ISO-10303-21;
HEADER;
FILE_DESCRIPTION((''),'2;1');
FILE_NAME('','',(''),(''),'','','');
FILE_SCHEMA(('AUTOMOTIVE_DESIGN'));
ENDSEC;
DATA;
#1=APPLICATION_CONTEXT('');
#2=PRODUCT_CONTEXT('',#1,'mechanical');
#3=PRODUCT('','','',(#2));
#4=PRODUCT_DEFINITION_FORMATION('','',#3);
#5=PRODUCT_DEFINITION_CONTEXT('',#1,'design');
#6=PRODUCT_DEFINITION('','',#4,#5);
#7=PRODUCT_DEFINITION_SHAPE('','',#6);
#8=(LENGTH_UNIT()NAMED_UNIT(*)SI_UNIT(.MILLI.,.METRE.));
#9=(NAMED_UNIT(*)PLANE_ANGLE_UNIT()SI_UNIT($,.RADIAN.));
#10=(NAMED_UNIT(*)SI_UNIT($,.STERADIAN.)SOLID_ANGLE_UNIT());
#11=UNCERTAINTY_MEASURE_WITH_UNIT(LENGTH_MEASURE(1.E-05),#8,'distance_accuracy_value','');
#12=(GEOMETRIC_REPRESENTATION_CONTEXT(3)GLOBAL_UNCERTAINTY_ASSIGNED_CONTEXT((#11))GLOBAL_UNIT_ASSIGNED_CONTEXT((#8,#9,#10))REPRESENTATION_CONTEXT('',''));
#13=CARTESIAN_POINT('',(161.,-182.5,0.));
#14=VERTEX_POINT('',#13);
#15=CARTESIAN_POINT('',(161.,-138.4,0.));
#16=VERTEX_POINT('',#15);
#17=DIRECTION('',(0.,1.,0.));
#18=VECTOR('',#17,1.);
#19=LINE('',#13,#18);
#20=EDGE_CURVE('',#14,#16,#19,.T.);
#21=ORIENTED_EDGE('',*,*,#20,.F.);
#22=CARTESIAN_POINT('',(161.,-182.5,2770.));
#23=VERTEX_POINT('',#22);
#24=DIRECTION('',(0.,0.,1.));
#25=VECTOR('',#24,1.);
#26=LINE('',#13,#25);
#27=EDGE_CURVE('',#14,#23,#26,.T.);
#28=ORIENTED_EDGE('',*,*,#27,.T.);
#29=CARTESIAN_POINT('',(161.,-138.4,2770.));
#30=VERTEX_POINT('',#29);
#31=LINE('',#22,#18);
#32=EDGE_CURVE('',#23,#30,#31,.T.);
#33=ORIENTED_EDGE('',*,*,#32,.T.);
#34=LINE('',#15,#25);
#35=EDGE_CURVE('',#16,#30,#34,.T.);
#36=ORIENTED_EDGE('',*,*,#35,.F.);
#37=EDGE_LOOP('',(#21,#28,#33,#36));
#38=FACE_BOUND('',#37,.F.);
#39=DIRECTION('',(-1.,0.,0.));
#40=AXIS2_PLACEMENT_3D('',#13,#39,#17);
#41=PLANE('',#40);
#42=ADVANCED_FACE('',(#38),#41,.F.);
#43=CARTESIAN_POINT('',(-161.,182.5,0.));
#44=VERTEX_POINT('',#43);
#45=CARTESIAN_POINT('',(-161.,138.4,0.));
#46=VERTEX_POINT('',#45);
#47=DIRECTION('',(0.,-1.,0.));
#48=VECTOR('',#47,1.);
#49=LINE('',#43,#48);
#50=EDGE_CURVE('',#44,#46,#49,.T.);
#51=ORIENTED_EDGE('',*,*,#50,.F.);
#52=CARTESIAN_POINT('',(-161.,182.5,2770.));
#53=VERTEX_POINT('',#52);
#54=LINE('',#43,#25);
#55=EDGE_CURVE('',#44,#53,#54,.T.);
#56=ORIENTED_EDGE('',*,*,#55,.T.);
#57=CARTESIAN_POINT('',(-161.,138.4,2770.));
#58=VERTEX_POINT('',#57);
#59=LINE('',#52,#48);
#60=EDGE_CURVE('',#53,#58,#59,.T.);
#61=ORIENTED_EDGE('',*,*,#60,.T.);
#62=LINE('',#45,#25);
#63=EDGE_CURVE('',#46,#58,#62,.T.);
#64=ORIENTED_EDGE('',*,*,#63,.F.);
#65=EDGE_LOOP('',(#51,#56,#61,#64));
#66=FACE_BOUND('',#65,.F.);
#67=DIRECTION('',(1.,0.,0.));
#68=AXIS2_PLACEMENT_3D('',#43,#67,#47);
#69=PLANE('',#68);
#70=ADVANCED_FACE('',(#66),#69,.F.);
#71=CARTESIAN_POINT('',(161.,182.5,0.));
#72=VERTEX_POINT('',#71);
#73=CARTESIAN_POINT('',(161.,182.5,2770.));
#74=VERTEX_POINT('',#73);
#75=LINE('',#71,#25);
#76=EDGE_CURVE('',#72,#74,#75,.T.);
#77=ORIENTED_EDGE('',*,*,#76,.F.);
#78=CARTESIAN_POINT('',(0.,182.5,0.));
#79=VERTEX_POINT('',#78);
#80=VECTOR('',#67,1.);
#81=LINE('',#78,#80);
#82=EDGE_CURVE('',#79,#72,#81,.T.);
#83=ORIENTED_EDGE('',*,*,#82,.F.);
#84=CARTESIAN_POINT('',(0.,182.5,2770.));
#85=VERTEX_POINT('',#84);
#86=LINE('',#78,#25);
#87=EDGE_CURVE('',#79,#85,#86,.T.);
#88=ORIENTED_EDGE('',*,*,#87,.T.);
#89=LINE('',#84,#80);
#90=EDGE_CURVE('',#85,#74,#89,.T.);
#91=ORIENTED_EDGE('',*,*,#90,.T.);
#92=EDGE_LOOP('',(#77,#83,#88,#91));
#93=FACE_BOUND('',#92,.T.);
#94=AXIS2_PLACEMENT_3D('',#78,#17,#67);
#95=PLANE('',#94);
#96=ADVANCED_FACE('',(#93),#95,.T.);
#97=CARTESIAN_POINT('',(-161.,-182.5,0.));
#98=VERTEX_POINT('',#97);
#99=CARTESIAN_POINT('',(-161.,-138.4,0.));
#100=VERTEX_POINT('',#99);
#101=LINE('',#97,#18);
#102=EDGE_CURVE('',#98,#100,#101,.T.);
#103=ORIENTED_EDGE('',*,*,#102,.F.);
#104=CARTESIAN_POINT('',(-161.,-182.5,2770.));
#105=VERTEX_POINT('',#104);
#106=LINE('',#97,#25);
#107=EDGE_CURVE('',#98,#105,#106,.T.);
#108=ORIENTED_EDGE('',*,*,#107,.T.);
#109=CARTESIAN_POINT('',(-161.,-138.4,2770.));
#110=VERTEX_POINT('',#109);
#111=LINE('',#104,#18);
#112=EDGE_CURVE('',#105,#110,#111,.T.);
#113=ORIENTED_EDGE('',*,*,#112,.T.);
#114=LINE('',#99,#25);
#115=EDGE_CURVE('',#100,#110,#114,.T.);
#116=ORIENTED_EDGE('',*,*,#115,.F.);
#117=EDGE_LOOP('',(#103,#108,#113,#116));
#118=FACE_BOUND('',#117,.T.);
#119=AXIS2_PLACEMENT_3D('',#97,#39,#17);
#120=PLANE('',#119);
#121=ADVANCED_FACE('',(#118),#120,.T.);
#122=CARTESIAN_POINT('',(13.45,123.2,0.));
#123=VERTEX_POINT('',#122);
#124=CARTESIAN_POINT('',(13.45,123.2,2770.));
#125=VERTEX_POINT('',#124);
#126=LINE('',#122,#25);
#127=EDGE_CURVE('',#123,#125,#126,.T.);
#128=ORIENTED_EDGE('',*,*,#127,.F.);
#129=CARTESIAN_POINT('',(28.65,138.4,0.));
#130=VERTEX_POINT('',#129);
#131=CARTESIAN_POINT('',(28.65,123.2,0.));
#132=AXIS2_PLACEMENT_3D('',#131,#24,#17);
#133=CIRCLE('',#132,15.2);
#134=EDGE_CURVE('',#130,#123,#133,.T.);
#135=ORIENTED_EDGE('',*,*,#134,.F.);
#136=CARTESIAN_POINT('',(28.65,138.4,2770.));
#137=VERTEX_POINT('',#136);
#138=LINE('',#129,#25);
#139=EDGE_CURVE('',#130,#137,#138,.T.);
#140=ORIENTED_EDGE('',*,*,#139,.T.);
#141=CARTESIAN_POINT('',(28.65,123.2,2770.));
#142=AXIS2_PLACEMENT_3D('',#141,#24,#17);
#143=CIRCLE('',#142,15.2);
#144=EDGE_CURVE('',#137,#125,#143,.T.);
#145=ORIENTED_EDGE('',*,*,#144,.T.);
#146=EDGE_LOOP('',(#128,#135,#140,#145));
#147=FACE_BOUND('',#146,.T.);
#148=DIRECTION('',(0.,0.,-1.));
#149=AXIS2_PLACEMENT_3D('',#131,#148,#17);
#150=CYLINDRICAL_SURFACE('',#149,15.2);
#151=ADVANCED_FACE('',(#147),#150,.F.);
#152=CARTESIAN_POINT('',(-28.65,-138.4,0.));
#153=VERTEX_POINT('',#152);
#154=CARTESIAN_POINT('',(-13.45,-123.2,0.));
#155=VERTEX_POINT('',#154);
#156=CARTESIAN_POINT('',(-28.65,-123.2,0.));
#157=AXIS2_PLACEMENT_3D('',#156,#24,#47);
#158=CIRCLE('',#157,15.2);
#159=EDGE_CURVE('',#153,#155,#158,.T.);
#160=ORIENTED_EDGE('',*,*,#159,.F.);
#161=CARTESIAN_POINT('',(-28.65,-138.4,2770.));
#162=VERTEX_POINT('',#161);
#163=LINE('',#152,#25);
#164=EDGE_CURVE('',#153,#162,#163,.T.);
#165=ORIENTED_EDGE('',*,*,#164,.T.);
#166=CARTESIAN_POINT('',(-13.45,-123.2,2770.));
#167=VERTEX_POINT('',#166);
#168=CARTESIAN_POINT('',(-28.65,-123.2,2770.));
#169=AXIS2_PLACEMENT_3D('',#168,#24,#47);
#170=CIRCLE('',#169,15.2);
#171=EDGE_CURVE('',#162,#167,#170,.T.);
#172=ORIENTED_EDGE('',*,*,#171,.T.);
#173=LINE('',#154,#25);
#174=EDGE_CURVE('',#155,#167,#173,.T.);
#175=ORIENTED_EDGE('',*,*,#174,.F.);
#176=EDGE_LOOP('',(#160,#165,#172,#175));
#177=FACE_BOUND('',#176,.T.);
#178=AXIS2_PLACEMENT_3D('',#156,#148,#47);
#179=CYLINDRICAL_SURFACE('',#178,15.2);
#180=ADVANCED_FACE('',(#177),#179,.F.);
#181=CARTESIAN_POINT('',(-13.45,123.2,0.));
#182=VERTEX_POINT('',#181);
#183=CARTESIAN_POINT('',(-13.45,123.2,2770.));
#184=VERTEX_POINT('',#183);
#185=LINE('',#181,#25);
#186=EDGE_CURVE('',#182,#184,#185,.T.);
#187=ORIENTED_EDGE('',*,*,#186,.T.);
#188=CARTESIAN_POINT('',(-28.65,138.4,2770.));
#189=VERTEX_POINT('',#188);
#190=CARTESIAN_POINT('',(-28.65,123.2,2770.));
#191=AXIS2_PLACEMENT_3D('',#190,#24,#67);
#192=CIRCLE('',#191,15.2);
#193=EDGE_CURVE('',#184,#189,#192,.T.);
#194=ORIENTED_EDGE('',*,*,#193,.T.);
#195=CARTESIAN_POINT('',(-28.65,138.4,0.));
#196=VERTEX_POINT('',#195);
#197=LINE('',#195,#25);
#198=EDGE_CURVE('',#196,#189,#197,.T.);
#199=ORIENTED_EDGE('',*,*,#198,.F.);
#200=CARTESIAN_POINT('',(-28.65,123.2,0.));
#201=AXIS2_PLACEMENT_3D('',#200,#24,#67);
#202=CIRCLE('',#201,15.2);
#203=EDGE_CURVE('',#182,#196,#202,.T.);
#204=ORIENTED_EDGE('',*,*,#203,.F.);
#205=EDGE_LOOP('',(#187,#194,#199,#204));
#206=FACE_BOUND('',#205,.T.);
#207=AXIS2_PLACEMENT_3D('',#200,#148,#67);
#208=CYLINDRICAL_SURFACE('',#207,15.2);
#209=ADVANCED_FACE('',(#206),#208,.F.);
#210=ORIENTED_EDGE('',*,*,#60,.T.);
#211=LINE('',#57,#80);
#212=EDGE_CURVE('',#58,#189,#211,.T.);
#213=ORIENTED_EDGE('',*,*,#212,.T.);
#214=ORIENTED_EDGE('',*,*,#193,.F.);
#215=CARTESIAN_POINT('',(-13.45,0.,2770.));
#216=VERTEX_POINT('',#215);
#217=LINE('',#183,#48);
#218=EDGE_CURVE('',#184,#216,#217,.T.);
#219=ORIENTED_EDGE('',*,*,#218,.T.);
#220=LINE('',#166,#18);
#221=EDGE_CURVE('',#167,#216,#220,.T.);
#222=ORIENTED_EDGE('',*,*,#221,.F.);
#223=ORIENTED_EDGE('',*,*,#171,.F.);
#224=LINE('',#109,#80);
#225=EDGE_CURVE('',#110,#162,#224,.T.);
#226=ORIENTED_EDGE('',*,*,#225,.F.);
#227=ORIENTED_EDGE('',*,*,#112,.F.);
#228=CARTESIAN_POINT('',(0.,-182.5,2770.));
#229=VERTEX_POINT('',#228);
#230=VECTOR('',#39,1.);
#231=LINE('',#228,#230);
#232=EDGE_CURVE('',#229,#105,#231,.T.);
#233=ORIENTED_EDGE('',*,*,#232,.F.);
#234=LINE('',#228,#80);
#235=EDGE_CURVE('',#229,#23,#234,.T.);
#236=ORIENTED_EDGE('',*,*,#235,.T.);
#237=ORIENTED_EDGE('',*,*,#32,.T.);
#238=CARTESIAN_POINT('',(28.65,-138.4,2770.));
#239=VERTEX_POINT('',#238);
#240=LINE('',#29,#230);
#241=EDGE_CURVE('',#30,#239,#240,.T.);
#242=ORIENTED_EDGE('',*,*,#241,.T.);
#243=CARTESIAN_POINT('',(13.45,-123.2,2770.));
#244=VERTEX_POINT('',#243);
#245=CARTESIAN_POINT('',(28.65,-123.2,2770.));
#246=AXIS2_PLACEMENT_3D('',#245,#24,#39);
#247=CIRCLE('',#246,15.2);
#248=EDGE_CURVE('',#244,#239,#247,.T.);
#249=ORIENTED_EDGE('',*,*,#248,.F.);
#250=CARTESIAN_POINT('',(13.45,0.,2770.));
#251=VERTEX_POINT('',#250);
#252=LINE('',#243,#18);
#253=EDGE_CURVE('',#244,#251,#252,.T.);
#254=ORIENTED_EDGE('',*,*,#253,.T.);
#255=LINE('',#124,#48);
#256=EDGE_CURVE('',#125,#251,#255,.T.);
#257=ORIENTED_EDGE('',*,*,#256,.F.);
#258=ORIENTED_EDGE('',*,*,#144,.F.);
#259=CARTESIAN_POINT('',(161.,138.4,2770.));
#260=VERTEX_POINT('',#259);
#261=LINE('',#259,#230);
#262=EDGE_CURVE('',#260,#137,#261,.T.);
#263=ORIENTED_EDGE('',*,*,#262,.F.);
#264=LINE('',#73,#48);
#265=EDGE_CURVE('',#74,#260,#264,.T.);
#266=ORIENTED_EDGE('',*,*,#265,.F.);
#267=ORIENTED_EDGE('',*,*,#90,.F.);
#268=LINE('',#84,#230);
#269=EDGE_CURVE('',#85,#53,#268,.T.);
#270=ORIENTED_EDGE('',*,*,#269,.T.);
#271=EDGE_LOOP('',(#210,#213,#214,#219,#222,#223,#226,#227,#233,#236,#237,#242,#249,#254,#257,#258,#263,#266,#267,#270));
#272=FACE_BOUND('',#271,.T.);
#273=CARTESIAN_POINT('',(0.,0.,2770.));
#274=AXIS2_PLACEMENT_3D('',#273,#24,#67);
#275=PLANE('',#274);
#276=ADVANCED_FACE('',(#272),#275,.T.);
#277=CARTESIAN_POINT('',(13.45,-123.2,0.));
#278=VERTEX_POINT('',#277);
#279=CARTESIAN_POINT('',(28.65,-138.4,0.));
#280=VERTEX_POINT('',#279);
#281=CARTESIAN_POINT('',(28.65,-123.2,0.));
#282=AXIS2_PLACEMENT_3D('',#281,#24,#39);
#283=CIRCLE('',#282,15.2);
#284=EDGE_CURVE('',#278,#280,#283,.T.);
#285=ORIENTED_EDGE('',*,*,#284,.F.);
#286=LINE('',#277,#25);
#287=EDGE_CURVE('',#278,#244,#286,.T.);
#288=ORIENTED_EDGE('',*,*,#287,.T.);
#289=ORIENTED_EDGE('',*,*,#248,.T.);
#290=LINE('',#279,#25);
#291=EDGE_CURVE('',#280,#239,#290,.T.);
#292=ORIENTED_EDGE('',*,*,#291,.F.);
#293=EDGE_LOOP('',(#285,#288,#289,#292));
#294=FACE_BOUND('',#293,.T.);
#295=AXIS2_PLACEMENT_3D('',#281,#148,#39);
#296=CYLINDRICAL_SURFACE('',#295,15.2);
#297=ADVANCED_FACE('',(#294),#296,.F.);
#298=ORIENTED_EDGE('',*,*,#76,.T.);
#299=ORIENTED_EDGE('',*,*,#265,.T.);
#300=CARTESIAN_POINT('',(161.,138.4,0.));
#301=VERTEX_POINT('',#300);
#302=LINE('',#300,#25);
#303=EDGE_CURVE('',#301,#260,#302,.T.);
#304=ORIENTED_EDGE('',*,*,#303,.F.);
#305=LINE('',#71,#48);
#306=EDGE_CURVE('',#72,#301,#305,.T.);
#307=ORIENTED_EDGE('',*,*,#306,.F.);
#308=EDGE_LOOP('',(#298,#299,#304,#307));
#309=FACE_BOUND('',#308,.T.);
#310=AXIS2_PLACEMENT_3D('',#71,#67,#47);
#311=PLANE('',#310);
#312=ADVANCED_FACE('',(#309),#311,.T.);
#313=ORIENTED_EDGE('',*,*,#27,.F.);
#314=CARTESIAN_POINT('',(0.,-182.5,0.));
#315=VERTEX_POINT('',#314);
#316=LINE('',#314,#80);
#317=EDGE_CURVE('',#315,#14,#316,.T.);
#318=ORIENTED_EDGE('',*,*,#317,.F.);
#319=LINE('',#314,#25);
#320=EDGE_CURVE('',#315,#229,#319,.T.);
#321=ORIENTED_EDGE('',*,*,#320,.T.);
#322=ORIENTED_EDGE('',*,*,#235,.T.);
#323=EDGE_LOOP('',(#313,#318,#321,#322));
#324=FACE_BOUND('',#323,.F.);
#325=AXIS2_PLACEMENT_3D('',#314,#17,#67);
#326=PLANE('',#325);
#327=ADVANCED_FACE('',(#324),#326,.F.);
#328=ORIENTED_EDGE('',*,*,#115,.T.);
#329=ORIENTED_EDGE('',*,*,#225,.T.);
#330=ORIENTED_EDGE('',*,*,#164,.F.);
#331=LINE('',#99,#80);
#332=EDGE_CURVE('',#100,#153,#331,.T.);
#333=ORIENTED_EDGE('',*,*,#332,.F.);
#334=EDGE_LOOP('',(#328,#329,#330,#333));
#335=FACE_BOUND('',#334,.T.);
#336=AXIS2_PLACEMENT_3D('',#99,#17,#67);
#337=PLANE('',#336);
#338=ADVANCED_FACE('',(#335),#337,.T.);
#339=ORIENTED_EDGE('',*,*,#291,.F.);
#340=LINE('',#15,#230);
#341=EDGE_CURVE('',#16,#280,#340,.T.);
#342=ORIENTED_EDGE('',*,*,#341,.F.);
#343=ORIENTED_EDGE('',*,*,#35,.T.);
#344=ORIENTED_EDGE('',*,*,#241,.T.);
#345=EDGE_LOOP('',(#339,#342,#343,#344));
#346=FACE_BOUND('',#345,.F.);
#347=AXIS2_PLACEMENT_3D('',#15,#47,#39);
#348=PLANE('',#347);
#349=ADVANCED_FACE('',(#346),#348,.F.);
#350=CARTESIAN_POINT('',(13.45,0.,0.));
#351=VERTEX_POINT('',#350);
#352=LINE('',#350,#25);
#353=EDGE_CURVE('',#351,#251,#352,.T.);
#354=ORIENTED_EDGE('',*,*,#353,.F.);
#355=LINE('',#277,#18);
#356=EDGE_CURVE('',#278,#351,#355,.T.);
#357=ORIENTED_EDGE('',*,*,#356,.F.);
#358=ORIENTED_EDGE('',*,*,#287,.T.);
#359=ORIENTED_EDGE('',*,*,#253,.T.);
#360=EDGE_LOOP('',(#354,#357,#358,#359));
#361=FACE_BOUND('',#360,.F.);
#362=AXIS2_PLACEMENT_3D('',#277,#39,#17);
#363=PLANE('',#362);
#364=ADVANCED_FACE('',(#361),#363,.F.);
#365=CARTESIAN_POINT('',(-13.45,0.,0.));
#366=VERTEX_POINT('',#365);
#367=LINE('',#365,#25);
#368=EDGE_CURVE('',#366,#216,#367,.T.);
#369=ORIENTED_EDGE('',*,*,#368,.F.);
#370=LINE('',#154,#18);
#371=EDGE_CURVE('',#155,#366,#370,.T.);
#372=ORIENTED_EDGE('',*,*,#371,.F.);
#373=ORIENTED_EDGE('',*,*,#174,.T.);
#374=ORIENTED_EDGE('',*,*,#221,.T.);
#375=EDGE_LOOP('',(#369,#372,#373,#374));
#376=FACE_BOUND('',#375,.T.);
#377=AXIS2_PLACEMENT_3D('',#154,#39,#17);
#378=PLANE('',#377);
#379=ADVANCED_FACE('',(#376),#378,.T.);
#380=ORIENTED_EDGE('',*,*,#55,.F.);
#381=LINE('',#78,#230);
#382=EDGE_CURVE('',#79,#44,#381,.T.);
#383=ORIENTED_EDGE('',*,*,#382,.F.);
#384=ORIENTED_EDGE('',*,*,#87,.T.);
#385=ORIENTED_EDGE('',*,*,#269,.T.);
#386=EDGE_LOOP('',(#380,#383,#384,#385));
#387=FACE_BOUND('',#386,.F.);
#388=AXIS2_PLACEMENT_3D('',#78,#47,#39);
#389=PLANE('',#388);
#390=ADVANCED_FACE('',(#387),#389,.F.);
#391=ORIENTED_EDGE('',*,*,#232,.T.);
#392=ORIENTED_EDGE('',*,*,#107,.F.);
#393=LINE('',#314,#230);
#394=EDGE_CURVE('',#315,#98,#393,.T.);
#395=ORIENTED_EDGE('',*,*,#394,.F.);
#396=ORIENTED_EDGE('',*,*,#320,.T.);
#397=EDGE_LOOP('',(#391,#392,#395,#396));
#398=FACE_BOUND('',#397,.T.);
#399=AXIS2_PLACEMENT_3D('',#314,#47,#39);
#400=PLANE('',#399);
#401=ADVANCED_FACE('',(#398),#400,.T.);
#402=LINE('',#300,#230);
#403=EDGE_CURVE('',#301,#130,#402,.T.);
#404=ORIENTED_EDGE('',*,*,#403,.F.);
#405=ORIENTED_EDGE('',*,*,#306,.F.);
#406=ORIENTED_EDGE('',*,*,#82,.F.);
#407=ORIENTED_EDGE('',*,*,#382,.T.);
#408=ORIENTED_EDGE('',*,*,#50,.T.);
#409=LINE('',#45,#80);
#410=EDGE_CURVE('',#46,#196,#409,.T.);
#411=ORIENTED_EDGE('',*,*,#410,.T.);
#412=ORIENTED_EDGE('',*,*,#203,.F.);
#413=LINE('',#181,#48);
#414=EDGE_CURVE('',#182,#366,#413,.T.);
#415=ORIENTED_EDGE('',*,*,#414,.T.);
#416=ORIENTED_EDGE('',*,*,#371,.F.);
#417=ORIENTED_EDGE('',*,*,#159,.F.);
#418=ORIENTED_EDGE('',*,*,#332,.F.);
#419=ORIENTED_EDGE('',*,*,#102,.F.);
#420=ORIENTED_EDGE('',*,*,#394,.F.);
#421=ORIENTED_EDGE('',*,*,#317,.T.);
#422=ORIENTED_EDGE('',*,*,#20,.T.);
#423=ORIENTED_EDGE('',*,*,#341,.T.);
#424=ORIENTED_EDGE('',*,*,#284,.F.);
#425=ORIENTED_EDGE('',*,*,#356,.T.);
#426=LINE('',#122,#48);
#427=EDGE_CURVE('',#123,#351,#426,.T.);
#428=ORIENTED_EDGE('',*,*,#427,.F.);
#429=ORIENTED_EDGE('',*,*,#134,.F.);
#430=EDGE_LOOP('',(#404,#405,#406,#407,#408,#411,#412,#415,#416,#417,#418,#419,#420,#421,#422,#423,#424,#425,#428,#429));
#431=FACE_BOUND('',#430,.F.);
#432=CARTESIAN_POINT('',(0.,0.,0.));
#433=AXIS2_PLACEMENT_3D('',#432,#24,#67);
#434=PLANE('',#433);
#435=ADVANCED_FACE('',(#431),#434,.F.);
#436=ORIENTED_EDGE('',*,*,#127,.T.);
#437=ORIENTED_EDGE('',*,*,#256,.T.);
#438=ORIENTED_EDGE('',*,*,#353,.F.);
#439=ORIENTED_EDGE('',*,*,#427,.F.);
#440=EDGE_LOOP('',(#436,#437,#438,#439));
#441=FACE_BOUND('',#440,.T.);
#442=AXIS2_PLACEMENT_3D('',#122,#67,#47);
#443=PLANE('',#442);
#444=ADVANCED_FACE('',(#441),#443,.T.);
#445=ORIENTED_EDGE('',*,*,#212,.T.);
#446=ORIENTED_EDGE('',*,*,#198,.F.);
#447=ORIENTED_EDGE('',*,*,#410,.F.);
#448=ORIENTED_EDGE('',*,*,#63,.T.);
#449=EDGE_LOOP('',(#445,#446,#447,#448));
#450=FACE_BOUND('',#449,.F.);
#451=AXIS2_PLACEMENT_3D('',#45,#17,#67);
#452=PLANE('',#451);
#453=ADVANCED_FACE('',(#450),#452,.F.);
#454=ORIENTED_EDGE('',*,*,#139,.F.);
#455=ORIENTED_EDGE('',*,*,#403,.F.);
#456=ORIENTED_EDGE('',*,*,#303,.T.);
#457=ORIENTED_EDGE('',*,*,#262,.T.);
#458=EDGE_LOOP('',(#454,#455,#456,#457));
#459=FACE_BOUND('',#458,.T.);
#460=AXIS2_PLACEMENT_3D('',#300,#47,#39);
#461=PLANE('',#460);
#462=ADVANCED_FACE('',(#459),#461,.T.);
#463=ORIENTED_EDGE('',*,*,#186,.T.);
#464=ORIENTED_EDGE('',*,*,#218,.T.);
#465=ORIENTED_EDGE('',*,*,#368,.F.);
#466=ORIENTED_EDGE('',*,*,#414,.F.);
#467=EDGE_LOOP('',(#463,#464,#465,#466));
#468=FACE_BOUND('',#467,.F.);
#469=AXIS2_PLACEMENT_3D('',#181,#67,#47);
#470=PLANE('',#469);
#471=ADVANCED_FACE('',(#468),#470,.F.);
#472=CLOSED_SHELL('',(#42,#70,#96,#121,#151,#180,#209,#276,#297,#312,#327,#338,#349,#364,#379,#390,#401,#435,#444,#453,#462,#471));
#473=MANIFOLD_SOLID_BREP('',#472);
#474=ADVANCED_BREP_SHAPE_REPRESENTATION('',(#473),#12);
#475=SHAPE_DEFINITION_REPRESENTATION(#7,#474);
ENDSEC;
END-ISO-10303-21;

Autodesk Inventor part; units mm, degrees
ref_plane "YZ Plane" through (0, 0, 0) normal (1, 0, 0) x (0, 1, 0)
ref_plane "Start plane" through (0, 0, 0) normal (0, 0, 1) x (1, 0, 0)
ref_plane "End plane" through (0, 0, 2770) normal (0, 0, 1) x (1, 0, 0)
sketch "Sketch" plane through (0, 0, 0) normal (0, 0, 1) x (1, 0, 0)
  line L0 (-161, -182.5) -> (-161, -138.4)
  line L1 (-161, -138.4) -> (-28.65, -138.4)
  line L2 (-13.45, -123.2) -> (-13.45, 0)
  line L3 (-13.45, 0) -> (0, 0) construction
  line L4 (0, 0) -> (0, -182.5) construction
  line L5 (0, -182.5) -> (-161, -182.5)
  line L6 (-60, 0) -> (80, 0) construction
  line L7 (0, -60) -> (0, 80) construction
  line L8 (161, -182.5) -> (161, -138.4)
  line L9 (161, -138.4) -> (28.65, -138.4)
  line L10 (13.45, -123.2) -> (13.45, 0)
  line L11 (13.45, 0) -> (0, 0) construction
  line L12 (0, -182.5) -> (161, -182.5)
  line L13 (-161, 182.5) -> (-161, 138.4)
  line L14 (-161, 138.4) -> (-28.65, 138.4)
  line L15 (-13.45, 123.2) -> (-13.45, 0)
  line L16 (0, 182.5) -> (-161, 182.5)
  line L17 (161, 182.5) -> (161, 138.4)
  line L18 (161, 138.4) -> (28.65, 138.4)
  line L19 (0, 182.5) -> (161, 182.5)
  line L20 (13.45, 123.2) -> (13.45, 0)
  arc A0 (-13.45, 123.2) -> (-28.65, 138.4) centre (-28.65, 123.2) ccw
  arc A1 (28.65, 138.4) -> (13.45, 123.2) centre (28.65, 123.2) ccw
  arc A2 (13.45, -123.2) -> (28.65, -138.4) centre (28.65, -123.2) ccw
  arc A3 (-28.65, -138.4) -> (-13.45, -123.2) centre (-28.65, -123.2) ccw
  line L21 (0, 108) -> (0, -88) construction
  line L22 (-88, 0) -> (108, 0) construction
  point P0 (-13.45, -138.4)
  point P1 (13.45, -138.4)
  point P2 (-13.45, 138.4)
  point P3 (13.45, 138.4)
  dimension "d1" = 182.5
  dimension "d2" = 44.1
  dimension "d3" = 161
  dimension "d4" = 13.45
  dimension "d10" = 15.2
extrude "Body" add sketch "Sketch" along normal up to surface (2770 mm away) from surface at 0
sketch "Sketch4" plane through (0, 0, 0) normal (0, 0, 1) x (1, 0, 0)
  line L0 (0, 0) -> (10, 0)
ref_plane "Work Plane3" through (0, 0, 0) normal (0, -1, 0) x (1, 0, 0)
sketch "Sketch5" plane through (0, 0, 0) normal (0, -1, 0) x (1, 0, 0)
  line L0 (-2, 0) -> (12, 0) projected
  line L1 (-2, 2770) -> (12, 2770) projected
  dimension "d14" = 2770
equation "\"d1\" = 0.5 * G_H"
equation "\"d2\" = G_T1"
equation "\"d3\" = 0.5 * G_W"
equation "\"d4\" = 0.5 * G_T"
equation "\"d10\" = G_IR"
equation "\"d5\" = G_L"
equation "\"G_W\" = 322"
equation "\"G_H\" = 365"
equation "\"G_T\" = 26.9"
equation "\"G_T1\" = 44.1"
equation "\"G_IR\" = 15.2"
equation "\"G_L\" = d14"
equation "\"G_OFFSET_START\" = 0"
equation "\"G_OFFSET_END\" = 0"
properties part number "AS 3679 - 310 UC - 283 - 2770" material "Steel, Mild"
